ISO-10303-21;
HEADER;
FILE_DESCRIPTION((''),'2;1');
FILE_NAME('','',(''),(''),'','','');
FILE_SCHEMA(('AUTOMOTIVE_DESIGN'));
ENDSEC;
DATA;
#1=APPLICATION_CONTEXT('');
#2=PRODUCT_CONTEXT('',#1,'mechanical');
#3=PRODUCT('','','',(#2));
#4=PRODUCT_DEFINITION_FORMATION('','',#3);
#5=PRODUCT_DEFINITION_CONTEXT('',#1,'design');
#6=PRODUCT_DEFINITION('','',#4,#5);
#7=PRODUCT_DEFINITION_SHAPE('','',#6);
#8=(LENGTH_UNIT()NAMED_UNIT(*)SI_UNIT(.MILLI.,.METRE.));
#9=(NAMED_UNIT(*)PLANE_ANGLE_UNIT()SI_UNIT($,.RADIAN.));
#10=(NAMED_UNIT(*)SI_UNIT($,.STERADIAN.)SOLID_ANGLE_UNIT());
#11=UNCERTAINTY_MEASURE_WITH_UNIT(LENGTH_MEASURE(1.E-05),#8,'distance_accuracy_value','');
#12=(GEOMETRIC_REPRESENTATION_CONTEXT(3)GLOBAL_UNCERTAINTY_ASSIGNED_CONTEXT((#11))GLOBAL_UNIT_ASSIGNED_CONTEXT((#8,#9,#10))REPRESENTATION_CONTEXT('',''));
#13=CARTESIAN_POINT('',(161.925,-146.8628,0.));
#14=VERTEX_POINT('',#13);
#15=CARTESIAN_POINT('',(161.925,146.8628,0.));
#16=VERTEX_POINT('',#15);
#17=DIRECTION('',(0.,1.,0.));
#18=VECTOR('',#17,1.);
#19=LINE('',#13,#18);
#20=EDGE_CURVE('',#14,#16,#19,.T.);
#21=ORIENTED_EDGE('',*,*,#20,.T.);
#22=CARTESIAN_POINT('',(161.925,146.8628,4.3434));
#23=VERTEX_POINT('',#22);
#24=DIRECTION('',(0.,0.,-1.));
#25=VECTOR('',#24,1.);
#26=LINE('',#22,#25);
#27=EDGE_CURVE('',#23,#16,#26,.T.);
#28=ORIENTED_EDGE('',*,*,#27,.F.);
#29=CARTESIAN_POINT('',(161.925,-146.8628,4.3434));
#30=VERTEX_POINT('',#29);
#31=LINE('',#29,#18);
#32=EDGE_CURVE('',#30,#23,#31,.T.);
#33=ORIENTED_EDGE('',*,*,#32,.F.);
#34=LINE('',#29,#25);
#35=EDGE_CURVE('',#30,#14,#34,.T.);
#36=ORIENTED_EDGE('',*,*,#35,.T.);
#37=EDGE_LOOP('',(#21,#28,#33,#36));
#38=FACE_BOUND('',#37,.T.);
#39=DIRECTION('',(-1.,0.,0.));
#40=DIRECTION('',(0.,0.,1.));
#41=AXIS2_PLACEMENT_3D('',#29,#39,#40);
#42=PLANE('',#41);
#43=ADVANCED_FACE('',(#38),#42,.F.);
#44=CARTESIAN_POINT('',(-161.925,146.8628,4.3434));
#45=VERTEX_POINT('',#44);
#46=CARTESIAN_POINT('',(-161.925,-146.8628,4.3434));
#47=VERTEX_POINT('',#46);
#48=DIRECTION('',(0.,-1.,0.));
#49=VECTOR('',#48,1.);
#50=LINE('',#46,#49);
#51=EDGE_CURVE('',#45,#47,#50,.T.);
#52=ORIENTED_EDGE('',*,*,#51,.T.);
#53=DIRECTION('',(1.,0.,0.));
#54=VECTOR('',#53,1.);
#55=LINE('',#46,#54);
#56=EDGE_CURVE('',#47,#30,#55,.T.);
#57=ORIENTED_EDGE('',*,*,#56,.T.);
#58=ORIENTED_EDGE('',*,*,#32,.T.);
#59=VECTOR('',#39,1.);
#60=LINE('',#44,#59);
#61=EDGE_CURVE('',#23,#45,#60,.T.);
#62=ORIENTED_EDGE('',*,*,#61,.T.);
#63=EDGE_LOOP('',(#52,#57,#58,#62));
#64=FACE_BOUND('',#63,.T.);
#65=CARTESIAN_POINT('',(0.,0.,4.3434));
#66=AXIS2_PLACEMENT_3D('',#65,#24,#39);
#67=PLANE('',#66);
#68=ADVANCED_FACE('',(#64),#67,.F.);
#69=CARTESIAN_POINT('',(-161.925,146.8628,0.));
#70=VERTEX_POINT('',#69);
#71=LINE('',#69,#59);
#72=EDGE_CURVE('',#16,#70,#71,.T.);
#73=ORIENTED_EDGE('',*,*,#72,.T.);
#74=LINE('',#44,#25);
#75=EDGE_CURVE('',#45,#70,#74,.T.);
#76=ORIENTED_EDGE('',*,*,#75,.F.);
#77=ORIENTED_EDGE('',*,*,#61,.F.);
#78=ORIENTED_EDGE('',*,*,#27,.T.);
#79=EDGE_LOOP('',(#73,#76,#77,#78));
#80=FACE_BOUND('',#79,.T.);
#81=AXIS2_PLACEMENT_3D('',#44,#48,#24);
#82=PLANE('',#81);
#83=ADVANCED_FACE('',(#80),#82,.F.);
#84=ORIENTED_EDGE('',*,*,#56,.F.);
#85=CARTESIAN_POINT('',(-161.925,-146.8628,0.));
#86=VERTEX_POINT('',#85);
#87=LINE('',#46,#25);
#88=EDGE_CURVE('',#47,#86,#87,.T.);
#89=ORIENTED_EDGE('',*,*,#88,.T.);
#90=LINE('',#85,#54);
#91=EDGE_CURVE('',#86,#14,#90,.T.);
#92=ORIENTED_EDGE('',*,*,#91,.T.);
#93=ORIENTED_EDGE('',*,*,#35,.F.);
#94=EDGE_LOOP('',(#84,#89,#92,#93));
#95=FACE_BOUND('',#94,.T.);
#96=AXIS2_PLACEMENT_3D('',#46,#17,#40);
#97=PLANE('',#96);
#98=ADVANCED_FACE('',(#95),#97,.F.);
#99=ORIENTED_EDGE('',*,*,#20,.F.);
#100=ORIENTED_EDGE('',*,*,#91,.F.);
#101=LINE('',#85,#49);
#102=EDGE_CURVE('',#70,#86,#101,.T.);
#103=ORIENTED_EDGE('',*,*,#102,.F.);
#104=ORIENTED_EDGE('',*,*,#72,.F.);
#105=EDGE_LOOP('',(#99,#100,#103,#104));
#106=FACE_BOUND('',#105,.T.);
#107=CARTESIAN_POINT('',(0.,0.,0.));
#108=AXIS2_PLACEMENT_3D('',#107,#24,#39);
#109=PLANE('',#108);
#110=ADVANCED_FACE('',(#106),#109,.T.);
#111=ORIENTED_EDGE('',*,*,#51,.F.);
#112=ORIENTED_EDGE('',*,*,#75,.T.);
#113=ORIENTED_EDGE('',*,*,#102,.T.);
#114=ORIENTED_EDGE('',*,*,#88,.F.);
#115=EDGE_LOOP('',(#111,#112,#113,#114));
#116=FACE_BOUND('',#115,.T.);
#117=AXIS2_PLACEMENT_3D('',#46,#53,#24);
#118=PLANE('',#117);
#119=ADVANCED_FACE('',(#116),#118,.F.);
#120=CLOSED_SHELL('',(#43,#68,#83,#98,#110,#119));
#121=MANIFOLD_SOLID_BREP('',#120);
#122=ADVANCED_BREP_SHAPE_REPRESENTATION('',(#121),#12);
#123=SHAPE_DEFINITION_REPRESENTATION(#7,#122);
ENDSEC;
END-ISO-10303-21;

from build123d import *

# Parameters (mm, degrees)
SKETCH1_W           = 323.85
SKETCH1_H           = 293.7256
BOSS_EXTRUDE1_DEPTH = 4.3434


with BuildPart() as part:
    # Sketch1 → Boss-Extrude1 (new body)
    with BuildSketch(Plane.XY):
        Rectangle(SKETCH1_W, SKETCH1_H)
    extrude(amount=BOSS_EXTRUDE1_DEPTH)


solid = part.part
